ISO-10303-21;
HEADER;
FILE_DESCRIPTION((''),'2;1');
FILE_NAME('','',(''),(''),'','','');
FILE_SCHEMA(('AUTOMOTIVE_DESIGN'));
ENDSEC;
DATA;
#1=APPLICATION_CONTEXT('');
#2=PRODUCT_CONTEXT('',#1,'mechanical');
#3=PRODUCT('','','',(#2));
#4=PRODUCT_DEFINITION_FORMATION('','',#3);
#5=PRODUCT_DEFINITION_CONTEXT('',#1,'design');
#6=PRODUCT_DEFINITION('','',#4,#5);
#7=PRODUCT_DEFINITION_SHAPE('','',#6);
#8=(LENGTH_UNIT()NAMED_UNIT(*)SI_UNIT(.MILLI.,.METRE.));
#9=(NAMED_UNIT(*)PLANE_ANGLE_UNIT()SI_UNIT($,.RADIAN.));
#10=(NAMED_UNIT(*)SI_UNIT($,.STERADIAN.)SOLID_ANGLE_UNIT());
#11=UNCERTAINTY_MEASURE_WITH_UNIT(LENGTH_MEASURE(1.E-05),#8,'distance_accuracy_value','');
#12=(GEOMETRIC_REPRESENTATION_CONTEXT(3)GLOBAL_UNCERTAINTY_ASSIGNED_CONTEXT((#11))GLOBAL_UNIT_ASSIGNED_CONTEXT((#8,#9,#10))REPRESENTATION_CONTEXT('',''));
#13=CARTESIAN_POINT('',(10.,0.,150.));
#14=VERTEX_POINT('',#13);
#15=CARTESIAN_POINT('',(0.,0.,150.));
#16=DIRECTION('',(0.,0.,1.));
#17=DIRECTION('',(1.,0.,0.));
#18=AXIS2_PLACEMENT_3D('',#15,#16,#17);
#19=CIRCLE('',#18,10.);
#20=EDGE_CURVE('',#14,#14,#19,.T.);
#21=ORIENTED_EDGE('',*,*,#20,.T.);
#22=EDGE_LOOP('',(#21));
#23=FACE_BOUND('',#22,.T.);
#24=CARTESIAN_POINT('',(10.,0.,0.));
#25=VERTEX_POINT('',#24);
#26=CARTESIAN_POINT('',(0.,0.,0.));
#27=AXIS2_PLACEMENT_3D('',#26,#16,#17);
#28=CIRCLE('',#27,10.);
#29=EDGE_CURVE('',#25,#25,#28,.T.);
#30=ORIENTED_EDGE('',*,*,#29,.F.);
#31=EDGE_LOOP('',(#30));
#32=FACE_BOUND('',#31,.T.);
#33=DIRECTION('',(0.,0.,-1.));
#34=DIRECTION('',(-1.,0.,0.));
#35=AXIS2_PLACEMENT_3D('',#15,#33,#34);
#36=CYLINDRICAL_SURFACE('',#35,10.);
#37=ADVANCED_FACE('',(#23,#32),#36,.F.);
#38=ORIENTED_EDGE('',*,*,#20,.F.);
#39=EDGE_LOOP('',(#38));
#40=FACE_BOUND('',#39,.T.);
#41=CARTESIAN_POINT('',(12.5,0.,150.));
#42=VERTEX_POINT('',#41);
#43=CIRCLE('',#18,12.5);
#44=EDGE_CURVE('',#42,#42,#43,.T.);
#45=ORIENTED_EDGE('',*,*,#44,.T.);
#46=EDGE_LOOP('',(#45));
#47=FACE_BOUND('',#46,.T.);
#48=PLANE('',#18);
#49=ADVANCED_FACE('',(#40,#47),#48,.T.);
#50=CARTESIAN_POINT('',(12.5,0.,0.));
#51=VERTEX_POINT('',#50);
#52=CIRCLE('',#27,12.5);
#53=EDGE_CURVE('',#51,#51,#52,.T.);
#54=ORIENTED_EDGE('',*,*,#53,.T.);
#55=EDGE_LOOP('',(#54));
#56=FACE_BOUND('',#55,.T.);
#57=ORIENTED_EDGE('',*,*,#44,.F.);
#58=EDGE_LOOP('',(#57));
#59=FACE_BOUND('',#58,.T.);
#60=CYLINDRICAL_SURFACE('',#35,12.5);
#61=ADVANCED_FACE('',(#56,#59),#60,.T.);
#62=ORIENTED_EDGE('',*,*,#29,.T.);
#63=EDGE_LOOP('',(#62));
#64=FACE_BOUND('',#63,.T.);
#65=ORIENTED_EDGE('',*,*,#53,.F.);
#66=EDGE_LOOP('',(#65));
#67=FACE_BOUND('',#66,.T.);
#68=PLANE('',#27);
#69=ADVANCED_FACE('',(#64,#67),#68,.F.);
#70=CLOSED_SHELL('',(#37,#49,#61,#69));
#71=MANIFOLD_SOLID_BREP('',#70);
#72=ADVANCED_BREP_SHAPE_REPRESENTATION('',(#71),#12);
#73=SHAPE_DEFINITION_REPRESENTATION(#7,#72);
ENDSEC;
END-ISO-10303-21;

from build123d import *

# Parameters (mm, degrees)
ESBO_O1_R                = 12.5
ESBO_O1_R_2              = 10
RESSALTO_EXTRUS_O1_DEPTH = 150


with BuildPart() as part:
    # Esboço1 → Ressalto-extrusão1 (new body)
    with BuildSketch(Plane.XY):
        Circle(ESBO_O1_R)
        Circle(ESBO_O1_R_2, mode=Mode.SUBTRACT)
    extrude(amount=RESSALTO_EXTRUS_O1_DEPTH)


solid = part.part
